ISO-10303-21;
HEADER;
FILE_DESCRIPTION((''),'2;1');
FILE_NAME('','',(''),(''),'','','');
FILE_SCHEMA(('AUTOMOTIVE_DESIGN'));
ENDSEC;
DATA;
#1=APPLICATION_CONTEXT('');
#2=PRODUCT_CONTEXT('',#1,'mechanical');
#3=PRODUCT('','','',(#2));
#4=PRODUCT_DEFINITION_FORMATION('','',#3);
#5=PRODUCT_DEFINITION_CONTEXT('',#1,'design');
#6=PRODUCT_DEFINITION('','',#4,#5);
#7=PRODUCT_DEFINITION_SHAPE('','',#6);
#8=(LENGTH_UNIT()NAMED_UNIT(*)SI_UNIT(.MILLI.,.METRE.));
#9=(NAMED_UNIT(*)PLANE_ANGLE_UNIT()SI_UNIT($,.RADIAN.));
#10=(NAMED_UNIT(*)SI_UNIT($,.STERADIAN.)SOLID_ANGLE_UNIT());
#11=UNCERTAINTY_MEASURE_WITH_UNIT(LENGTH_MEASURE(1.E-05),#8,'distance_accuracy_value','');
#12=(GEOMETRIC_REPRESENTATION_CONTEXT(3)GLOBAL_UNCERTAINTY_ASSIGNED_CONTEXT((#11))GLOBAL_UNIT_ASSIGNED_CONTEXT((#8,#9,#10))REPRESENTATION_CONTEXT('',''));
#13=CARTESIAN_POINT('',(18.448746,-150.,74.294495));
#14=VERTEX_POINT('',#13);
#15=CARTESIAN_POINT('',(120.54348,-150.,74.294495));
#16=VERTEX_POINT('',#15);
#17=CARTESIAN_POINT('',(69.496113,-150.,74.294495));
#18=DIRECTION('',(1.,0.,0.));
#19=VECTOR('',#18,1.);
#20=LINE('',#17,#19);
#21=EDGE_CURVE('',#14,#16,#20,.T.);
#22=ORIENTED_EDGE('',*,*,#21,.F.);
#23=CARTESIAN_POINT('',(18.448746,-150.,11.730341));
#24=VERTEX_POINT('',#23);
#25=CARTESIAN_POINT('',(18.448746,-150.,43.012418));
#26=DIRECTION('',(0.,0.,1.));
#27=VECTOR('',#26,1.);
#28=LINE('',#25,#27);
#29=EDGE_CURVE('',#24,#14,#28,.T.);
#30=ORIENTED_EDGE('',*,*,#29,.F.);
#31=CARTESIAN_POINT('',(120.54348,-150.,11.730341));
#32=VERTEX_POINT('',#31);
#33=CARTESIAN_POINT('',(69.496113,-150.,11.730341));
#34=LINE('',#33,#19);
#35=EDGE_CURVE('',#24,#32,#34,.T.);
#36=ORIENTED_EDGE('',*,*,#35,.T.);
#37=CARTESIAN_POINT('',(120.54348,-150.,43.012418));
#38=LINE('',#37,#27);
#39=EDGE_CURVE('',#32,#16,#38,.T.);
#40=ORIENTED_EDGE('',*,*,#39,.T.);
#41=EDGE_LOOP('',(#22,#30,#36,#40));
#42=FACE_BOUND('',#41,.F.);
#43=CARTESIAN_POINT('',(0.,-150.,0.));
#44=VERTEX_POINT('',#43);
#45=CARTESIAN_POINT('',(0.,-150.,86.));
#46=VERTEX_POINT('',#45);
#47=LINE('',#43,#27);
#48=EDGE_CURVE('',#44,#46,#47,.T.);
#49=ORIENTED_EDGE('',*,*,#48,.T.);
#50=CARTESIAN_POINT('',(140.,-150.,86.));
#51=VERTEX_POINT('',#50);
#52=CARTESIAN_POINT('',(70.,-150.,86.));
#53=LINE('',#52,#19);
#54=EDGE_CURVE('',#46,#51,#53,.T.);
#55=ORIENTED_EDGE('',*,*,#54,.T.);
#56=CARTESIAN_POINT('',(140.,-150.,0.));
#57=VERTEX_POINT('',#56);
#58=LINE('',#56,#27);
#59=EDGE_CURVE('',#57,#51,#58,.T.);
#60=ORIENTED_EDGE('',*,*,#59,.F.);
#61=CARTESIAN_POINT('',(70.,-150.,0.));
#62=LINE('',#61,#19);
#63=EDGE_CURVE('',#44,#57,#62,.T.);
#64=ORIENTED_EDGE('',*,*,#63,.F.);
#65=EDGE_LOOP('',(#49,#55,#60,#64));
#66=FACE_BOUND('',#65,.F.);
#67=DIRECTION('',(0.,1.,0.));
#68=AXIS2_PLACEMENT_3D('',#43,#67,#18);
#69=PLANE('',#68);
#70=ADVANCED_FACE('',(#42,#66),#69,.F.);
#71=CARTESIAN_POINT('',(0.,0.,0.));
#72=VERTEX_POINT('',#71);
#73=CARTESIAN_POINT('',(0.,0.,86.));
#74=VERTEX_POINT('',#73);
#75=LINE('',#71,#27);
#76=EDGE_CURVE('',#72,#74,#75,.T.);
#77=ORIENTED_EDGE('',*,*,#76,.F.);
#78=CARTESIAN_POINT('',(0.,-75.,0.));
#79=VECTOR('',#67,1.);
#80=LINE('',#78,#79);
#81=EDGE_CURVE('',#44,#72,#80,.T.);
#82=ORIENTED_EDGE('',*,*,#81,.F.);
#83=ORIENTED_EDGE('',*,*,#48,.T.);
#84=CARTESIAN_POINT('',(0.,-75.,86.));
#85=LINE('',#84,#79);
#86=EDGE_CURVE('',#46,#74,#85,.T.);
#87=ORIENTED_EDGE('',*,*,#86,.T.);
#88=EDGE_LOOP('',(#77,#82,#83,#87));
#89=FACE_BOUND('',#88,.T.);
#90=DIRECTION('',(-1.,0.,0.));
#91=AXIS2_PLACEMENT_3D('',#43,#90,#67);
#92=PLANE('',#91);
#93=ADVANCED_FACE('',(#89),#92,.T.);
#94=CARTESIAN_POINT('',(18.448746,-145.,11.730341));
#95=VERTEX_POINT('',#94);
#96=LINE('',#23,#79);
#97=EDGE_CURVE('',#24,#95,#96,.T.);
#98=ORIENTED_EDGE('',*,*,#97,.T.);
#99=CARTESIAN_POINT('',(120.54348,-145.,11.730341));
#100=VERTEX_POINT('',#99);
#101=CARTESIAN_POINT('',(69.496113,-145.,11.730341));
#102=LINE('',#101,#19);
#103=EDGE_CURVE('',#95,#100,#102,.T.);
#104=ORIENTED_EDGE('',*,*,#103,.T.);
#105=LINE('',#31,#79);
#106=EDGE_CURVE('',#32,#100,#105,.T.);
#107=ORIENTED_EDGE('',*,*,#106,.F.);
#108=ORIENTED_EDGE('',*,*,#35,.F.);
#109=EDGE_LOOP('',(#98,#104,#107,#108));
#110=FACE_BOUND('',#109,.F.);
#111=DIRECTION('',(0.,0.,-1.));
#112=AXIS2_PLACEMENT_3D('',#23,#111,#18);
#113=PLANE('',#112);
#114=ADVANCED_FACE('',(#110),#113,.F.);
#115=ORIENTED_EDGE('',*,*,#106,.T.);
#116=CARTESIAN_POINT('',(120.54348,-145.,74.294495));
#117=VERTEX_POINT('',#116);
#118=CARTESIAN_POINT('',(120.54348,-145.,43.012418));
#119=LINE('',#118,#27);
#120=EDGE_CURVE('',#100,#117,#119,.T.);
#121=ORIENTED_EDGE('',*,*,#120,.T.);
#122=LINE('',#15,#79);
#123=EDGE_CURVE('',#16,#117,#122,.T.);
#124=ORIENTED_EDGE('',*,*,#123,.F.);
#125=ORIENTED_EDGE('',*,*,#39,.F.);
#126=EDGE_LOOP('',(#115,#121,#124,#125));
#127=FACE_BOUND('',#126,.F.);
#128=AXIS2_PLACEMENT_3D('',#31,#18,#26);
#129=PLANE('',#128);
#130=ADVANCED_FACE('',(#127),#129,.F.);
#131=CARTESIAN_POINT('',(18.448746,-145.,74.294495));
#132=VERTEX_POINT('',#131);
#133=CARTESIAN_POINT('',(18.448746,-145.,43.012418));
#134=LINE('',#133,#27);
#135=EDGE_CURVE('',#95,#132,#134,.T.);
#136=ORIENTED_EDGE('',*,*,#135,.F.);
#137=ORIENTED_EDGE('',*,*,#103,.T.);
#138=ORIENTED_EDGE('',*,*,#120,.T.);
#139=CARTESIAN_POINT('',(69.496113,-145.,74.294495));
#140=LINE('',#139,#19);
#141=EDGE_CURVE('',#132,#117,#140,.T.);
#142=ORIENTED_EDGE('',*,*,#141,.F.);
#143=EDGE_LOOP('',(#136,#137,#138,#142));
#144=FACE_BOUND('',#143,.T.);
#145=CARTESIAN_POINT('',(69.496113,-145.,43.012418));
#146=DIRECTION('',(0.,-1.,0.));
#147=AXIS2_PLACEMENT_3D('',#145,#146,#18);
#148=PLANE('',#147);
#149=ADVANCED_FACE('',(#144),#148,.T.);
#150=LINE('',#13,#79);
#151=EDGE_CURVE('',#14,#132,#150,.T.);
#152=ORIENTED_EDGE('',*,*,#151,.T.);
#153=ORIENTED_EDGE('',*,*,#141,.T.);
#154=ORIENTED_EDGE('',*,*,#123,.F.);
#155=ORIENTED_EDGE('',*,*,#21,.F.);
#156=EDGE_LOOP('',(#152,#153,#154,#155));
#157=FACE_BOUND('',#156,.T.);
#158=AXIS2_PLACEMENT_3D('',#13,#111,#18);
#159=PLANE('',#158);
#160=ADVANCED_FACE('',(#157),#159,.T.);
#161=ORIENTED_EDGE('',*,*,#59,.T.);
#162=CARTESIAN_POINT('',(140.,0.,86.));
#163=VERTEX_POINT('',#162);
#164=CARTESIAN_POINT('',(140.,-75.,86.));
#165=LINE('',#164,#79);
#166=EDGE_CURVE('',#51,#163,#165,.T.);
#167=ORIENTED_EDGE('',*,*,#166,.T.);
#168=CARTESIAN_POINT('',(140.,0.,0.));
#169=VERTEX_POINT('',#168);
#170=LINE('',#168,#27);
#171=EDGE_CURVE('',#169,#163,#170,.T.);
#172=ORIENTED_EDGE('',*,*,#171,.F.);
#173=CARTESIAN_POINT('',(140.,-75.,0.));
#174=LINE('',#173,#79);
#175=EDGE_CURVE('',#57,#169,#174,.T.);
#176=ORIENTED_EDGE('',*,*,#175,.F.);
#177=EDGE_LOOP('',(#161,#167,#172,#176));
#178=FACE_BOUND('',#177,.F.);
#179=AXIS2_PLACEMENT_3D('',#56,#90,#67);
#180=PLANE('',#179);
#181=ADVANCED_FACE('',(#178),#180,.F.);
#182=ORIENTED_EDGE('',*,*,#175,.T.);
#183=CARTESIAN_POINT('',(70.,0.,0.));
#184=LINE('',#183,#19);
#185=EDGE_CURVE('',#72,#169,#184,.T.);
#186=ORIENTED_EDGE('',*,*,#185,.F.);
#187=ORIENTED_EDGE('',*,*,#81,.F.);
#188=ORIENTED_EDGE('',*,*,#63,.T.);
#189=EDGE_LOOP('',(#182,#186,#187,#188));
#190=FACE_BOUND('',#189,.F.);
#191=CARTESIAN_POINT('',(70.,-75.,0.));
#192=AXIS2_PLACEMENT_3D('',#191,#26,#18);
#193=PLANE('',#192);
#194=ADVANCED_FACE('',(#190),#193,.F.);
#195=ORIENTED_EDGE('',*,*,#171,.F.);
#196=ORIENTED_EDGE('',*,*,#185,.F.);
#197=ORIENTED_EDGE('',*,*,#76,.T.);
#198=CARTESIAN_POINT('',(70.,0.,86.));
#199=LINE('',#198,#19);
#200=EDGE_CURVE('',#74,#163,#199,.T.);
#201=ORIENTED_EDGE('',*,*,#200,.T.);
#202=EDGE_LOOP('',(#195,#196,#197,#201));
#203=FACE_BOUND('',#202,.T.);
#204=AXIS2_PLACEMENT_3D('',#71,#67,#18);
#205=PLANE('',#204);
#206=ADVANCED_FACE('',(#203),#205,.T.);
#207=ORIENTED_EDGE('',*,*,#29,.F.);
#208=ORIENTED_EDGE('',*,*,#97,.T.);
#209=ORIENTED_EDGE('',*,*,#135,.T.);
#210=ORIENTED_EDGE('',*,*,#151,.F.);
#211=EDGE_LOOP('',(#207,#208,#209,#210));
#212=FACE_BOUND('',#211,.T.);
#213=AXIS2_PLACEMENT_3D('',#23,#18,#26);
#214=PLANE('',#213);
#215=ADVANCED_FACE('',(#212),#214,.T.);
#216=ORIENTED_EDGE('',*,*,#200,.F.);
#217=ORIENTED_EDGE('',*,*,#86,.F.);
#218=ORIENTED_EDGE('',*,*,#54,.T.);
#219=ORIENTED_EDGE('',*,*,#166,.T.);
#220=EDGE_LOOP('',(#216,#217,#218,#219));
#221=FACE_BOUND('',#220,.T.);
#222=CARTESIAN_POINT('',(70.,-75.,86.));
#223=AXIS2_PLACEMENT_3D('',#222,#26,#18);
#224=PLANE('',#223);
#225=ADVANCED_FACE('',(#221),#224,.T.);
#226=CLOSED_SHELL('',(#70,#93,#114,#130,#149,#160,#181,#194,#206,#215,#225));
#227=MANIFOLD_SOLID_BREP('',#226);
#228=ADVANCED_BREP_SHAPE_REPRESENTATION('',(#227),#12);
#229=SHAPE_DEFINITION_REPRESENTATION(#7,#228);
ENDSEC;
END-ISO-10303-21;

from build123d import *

# Parameters (mm, degrees)
SKETCH_W     = 140
SKETCH_H     = 150
PAD_DEPTH    = 86
SKETCH001_W  = 102.094734
SKETCH001_H  = 62.564154
POCKET_DEPTH = 5


with BuildPart() as part:
    # Sketch → Pad (new body)
    with BuildSketch(Plane.XY):
        with Locations((70, -75)):
            Rectangle(SKETCH_W, SKETCH_H)
    extrude(amount=PAD_DEPTH)

    # Sketch001 (on Face3 of Pad) → Pocket (cut)
    with BuildSketch(Plane.XZ.offset(150)):
        with Locations((69.496113, 43.012418)):
            Rectangle(SKETCH001_W, SKETCH001_H)
    extrude(amount=-POCKET_DEPTH, mode=Mode.SUBTRACT)


solid = part.part
